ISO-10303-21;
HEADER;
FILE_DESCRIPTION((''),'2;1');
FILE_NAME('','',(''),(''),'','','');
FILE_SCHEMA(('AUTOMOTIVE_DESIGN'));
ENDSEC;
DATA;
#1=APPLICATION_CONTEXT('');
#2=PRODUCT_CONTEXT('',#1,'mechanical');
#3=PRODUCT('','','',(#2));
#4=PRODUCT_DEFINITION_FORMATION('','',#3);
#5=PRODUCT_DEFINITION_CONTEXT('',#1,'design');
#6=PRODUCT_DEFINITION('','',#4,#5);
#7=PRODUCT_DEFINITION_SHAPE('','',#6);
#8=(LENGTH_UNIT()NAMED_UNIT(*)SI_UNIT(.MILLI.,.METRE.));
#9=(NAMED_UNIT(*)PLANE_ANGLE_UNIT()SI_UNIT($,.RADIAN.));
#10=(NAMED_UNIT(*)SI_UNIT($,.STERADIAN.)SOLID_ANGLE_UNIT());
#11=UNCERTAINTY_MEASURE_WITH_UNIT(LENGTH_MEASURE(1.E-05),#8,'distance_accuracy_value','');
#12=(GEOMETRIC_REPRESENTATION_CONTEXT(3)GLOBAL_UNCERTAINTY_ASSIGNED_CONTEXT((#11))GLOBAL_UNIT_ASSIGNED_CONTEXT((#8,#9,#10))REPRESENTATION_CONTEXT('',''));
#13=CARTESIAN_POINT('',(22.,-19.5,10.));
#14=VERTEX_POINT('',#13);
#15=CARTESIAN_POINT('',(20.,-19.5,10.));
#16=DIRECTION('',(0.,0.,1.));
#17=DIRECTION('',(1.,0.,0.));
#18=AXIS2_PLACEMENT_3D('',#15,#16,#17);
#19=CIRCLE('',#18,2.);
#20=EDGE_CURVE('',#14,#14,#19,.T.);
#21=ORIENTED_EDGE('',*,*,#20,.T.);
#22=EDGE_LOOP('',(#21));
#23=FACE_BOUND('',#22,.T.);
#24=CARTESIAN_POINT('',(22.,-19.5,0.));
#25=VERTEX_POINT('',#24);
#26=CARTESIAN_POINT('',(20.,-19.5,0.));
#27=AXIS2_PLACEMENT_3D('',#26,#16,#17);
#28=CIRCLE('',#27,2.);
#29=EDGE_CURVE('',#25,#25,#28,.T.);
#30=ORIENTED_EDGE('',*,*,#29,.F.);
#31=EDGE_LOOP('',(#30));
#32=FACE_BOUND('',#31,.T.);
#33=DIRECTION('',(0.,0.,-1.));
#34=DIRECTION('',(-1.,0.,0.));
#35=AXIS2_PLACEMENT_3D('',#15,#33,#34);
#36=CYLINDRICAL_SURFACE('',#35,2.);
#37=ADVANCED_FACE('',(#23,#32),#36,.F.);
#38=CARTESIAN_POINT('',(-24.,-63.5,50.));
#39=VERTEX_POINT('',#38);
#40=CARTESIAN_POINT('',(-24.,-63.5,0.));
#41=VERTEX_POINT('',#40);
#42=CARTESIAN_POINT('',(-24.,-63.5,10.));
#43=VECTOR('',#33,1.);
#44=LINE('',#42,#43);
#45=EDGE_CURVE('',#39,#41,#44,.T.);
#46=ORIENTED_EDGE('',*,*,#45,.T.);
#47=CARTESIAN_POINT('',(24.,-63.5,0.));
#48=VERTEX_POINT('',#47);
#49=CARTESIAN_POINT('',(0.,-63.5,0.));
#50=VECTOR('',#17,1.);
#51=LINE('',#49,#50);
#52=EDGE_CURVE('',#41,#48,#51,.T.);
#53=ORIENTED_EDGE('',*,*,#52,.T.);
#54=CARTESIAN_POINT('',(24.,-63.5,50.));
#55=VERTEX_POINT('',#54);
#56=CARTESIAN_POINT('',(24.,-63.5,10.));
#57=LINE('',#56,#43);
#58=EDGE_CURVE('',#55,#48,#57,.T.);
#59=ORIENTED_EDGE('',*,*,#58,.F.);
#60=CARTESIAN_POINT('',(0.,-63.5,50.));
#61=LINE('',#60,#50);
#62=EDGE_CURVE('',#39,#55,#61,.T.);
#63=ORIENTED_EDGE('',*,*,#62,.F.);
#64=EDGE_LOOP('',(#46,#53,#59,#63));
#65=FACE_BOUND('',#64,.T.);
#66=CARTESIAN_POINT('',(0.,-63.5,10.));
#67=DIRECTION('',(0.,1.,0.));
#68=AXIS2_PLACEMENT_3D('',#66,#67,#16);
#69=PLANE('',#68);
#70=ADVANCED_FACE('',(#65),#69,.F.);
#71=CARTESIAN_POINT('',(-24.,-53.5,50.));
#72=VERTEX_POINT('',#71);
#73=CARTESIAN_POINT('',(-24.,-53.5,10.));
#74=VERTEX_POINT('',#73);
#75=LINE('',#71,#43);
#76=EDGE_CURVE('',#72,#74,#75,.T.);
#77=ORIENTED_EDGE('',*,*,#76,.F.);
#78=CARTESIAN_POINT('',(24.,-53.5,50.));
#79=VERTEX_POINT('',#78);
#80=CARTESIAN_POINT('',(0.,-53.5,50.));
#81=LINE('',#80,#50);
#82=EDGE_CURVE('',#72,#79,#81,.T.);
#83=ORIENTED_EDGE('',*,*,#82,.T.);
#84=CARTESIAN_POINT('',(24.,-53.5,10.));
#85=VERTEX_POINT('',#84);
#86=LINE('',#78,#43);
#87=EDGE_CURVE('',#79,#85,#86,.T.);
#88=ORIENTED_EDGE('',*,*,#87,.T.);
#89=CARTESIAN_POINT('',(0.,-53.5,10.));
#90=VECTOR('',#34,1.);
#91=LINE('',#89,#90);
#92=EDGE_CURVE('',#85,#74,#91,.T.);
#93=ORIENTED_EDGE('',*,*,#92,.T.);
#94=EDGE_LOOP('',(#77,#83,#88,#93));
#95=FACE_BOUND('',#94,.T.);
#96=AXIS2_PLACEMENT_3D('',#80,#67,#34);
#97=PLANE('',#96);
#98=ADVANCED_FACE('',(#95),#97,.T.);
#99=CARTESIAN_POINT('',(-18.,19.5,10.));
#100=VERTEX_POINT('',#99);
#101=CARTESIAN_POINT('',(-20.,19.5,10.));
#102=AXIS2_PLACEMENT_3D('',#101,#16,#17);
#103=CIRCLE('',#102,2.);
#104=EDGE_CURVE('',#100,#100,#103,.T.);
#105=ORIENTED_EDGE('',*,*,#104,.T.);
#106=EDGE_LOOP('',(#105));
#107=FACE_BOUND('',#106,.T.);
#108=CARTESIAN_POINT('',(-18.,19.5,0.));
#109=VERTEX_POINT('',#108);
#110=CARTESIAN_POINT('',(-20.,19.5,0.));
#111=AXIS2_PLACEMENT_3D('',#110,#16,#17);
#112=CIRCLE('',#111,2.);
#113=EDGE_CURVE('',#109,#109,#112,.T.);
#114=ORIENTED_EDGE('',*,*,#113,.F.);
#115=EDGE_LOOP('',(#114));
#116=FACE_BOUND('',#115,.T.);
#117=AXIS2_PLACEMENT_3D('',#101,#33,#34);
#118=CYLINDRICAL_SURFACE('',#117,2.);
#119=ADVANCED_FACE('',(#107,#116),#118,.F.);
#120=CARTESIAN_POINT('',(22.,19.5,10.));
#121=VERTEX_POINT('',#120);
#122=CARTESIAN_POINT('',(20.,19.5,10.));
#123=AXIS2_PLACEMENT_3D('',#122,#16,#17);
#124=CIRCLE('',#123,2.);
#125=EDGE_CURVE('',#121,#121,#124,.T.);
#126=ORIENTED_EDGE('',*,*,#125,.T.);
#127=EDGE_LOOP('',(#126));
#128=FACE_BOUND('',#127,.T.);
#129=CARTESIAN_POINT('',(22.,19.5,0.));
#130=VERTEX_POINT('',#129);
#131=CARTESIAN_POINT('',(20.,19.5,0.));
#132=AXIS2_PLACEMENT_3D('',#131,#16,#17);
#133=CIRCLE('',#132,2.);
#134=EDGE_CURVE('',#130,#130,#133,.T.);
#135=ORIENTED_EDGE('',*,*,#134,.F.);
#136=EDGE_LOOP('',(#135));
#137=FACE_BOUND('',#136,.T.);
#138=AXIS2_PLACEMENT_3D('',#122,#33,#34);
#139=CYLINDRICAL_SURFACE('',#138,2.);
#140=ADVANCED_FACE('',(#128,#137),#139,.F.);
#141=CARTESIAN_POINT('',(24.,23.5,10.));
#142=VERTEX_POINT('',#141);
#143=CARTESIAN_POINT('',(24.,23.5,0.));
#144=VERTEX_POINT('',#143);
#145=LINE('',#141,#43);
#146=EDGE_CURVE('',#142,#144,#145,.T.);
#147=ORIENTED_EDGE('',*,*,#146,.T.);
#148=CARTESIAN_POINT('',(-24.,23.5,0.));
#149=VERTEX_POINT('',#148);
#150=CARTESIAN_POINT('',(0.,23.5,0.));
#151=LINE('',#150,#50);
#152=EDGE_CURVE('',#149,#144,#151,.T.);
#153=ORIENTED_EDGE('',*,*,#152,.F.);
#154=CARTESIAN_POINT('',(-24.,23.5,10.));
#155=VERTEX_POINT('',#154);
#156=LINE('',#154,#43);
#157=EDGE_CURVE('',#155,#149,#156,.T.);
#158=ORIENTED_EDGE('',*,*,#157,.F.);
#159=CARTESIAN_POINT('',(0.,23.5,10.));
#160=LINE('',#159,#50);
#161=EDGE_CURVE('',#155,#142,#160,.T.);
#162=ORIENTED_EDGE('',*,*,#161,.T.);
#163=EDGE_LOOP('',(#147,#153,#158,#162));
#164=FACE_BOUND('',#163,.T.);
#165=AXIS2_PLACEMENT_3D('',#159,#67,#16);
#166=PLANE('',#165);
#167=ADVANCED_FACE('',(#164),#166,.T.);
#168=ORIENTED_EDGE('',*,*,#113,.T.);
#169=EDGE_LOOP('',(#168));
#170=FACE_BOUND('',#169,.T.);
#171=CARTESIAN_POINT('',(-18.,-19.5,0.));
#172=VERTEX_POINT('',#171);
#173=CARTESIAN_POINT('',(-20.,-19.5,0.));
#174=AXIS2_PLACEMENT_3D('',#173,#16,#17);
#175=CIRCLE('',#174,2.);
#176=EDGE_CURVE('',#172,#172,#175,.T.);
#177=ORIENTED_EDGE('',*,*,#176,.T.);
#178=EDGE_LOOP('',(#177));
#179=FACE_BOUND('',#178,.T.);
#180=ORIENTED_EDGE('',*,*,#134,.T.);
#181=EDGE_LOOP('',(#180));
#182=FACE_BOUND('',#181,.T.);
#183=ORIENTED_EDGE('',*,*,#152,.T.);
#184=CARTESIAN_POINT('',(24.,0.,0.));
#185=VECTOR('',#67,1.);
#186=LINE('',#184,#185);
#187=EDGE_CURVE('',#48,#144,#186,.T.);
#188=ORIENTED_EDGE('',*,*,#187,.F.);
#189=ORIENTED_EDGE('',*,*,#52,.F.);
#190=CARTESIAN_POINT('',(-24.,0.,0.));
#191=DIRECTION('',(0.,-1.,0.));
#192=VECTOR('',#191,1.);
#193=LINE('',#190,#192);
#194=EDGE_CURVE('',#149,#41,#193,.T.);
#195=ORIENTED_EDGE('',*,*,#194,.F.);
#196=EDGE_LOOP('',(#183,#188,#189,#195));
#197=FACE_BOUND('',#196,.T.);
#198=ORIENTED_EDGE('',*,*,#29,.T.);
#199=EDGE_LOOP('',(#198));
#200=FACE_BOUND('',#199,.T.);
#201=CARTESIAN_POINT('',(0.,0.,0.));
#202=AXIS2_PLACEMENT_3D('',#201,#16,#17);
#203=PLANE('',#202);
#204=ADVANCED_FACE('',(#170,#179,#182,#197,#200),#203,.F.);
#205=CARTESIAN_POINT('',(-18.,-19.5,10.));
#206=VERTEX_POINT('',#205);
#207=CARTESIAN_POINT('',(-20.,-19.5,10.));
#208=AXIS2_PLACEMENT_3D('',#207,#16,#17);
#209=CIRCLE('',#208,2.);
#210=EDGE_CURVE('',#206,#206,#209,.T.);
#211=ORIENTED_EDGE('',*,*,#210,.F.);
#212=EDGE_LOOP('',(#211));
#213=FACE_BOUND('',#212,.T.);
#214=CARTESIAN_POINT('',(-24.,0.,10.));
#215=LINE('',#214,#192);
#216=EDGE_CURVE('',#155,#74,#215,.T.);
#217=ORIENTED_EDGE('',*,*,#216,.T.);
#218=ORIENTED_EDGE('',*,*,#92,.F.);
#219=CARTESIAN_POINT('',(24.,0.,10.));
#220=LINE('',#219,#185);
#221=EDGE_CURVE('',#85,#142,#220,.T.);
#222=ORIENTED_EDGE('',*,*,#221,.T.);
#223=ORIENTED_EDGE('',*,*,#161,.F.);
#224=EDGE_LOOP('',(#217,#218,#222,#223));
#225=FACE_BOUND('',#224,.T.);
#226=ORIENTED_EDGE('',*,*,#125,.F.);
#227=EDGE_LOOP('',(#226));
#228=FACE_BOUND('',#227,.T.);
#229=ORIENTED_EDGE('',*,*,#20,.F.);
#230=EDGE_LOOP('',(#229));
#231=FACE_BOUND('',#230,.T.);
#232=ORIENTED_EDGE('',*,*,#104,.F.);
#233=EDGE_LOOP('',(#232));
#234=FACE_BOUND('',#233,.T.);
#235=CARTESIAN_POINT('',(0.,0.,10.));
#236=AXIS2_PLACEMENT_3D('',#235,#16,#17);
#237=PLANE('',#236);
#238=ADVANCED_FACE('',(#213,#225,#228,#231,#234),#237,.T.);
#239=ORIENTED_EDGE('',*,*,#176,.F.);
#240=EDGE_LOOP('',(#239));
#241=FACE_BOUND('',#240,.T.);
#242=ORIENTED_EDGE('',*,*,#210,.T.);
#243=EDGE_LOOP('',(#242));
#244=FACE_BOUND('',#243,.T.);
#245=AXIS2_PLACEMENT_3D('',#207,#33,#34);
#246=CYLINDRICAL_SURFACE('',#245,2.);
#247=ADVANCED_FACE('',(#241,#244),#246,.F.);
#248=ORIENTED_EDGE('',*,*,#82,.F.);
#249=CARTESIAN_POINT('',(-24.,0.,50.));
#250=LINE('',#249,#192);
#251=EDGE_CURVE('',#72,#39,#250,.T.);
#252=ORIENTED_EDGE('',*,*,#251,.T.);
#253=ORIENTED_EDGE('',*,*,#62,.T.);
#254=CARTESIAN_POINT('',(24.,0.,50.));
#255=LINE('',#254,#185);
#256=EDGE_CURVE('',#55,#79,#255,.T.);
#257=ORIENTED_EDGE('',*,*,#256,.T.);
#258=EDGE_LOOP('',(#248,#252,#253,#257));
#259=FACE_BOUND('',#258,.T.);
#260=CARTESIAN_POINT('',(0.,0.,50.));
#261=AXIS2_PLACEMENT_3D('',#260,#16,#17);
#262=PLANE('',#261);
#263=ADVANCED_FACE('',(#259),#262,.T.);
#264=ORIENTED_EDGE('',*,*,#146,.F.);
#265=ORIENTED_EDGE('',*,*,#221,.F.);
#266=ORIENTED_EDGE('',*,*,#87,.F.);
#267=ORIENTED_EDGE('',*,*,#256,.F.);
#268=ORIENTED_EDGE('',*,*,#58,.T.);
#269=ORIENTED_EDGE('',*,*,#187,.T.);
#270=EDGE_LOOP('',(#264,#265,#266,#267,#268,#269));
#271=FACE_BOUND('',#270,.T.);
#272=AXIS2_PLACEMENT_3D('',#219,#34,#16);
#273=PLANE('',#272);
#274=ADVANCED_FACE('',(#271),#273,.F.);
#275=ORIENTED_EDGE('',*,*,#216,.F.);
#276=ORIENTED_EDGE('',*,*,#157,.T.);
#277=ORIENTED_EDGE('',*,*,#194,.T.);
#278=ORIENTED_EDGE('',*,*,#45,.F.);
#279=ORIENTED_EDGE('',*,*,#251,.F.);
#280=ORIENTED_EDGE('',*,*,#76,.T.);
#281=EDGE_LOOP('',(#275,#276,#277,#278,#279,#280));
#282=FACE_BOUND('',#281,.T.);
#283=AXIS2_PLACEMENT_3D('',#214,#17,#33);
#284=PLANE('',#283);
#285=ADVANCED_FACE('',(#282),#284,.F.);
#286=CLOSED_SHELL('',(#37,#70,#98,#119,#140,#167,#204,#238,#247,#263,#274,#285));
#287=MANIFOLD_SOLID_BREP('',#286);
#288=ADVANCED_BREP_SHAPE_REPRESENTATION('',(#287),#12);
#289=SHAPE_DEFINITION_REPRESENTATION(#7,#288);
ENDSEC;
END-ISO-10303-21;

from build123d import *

# Parameters (mm, degrees)
SKETCH3_W           = 48
SKETCH3_H           = 87
SKETCH3_R           = 2
BOSS_EXTRUDE1_DEPTH = 10
SKETCH3_3_W         = 48
SKETCH3_3_H         = 10
BOSS_EXTRUDE2_DEPTH = 50


with BuildPart() as part:
    # Sketch3 → Boss-Extrude1 (new body)
    with BuildSketch(Plane.XY):
        with Locations((0, -20)):
            Rectangle(SKETCH3_W, SKETCH3_H)
        with Locations((20, 19.5)):
            Circle(SKETCH3_R, mode=Mode.SUBTRACT)
        with Locations((-20, -19.5)):
            Circle(SKETCH3_R, mode=Mode.SUBTRACT)
        with Locations((-20, 19.5)):
            Circle(SKETCH3_R, mode=Mode.SUBTRACT)
        with Locations((20, -19.5)):
            Circle(SKETCH3_R, mode=Mode.SUBTRACT)
    extrude(amount=BOSS_EXTRUDE1_DEPTH)

    # Sketch3<3> → Boss-Extrude2 (add)
    with BuildSketch(Plane.XY):
        with Locations((0, -58.5)):
            Rectangle(SKETCH3_3_W, SKETCH3_3_H)
    extrude(amount=BOSS_EXTRUDE2_DEPTH)


solid = part.part
